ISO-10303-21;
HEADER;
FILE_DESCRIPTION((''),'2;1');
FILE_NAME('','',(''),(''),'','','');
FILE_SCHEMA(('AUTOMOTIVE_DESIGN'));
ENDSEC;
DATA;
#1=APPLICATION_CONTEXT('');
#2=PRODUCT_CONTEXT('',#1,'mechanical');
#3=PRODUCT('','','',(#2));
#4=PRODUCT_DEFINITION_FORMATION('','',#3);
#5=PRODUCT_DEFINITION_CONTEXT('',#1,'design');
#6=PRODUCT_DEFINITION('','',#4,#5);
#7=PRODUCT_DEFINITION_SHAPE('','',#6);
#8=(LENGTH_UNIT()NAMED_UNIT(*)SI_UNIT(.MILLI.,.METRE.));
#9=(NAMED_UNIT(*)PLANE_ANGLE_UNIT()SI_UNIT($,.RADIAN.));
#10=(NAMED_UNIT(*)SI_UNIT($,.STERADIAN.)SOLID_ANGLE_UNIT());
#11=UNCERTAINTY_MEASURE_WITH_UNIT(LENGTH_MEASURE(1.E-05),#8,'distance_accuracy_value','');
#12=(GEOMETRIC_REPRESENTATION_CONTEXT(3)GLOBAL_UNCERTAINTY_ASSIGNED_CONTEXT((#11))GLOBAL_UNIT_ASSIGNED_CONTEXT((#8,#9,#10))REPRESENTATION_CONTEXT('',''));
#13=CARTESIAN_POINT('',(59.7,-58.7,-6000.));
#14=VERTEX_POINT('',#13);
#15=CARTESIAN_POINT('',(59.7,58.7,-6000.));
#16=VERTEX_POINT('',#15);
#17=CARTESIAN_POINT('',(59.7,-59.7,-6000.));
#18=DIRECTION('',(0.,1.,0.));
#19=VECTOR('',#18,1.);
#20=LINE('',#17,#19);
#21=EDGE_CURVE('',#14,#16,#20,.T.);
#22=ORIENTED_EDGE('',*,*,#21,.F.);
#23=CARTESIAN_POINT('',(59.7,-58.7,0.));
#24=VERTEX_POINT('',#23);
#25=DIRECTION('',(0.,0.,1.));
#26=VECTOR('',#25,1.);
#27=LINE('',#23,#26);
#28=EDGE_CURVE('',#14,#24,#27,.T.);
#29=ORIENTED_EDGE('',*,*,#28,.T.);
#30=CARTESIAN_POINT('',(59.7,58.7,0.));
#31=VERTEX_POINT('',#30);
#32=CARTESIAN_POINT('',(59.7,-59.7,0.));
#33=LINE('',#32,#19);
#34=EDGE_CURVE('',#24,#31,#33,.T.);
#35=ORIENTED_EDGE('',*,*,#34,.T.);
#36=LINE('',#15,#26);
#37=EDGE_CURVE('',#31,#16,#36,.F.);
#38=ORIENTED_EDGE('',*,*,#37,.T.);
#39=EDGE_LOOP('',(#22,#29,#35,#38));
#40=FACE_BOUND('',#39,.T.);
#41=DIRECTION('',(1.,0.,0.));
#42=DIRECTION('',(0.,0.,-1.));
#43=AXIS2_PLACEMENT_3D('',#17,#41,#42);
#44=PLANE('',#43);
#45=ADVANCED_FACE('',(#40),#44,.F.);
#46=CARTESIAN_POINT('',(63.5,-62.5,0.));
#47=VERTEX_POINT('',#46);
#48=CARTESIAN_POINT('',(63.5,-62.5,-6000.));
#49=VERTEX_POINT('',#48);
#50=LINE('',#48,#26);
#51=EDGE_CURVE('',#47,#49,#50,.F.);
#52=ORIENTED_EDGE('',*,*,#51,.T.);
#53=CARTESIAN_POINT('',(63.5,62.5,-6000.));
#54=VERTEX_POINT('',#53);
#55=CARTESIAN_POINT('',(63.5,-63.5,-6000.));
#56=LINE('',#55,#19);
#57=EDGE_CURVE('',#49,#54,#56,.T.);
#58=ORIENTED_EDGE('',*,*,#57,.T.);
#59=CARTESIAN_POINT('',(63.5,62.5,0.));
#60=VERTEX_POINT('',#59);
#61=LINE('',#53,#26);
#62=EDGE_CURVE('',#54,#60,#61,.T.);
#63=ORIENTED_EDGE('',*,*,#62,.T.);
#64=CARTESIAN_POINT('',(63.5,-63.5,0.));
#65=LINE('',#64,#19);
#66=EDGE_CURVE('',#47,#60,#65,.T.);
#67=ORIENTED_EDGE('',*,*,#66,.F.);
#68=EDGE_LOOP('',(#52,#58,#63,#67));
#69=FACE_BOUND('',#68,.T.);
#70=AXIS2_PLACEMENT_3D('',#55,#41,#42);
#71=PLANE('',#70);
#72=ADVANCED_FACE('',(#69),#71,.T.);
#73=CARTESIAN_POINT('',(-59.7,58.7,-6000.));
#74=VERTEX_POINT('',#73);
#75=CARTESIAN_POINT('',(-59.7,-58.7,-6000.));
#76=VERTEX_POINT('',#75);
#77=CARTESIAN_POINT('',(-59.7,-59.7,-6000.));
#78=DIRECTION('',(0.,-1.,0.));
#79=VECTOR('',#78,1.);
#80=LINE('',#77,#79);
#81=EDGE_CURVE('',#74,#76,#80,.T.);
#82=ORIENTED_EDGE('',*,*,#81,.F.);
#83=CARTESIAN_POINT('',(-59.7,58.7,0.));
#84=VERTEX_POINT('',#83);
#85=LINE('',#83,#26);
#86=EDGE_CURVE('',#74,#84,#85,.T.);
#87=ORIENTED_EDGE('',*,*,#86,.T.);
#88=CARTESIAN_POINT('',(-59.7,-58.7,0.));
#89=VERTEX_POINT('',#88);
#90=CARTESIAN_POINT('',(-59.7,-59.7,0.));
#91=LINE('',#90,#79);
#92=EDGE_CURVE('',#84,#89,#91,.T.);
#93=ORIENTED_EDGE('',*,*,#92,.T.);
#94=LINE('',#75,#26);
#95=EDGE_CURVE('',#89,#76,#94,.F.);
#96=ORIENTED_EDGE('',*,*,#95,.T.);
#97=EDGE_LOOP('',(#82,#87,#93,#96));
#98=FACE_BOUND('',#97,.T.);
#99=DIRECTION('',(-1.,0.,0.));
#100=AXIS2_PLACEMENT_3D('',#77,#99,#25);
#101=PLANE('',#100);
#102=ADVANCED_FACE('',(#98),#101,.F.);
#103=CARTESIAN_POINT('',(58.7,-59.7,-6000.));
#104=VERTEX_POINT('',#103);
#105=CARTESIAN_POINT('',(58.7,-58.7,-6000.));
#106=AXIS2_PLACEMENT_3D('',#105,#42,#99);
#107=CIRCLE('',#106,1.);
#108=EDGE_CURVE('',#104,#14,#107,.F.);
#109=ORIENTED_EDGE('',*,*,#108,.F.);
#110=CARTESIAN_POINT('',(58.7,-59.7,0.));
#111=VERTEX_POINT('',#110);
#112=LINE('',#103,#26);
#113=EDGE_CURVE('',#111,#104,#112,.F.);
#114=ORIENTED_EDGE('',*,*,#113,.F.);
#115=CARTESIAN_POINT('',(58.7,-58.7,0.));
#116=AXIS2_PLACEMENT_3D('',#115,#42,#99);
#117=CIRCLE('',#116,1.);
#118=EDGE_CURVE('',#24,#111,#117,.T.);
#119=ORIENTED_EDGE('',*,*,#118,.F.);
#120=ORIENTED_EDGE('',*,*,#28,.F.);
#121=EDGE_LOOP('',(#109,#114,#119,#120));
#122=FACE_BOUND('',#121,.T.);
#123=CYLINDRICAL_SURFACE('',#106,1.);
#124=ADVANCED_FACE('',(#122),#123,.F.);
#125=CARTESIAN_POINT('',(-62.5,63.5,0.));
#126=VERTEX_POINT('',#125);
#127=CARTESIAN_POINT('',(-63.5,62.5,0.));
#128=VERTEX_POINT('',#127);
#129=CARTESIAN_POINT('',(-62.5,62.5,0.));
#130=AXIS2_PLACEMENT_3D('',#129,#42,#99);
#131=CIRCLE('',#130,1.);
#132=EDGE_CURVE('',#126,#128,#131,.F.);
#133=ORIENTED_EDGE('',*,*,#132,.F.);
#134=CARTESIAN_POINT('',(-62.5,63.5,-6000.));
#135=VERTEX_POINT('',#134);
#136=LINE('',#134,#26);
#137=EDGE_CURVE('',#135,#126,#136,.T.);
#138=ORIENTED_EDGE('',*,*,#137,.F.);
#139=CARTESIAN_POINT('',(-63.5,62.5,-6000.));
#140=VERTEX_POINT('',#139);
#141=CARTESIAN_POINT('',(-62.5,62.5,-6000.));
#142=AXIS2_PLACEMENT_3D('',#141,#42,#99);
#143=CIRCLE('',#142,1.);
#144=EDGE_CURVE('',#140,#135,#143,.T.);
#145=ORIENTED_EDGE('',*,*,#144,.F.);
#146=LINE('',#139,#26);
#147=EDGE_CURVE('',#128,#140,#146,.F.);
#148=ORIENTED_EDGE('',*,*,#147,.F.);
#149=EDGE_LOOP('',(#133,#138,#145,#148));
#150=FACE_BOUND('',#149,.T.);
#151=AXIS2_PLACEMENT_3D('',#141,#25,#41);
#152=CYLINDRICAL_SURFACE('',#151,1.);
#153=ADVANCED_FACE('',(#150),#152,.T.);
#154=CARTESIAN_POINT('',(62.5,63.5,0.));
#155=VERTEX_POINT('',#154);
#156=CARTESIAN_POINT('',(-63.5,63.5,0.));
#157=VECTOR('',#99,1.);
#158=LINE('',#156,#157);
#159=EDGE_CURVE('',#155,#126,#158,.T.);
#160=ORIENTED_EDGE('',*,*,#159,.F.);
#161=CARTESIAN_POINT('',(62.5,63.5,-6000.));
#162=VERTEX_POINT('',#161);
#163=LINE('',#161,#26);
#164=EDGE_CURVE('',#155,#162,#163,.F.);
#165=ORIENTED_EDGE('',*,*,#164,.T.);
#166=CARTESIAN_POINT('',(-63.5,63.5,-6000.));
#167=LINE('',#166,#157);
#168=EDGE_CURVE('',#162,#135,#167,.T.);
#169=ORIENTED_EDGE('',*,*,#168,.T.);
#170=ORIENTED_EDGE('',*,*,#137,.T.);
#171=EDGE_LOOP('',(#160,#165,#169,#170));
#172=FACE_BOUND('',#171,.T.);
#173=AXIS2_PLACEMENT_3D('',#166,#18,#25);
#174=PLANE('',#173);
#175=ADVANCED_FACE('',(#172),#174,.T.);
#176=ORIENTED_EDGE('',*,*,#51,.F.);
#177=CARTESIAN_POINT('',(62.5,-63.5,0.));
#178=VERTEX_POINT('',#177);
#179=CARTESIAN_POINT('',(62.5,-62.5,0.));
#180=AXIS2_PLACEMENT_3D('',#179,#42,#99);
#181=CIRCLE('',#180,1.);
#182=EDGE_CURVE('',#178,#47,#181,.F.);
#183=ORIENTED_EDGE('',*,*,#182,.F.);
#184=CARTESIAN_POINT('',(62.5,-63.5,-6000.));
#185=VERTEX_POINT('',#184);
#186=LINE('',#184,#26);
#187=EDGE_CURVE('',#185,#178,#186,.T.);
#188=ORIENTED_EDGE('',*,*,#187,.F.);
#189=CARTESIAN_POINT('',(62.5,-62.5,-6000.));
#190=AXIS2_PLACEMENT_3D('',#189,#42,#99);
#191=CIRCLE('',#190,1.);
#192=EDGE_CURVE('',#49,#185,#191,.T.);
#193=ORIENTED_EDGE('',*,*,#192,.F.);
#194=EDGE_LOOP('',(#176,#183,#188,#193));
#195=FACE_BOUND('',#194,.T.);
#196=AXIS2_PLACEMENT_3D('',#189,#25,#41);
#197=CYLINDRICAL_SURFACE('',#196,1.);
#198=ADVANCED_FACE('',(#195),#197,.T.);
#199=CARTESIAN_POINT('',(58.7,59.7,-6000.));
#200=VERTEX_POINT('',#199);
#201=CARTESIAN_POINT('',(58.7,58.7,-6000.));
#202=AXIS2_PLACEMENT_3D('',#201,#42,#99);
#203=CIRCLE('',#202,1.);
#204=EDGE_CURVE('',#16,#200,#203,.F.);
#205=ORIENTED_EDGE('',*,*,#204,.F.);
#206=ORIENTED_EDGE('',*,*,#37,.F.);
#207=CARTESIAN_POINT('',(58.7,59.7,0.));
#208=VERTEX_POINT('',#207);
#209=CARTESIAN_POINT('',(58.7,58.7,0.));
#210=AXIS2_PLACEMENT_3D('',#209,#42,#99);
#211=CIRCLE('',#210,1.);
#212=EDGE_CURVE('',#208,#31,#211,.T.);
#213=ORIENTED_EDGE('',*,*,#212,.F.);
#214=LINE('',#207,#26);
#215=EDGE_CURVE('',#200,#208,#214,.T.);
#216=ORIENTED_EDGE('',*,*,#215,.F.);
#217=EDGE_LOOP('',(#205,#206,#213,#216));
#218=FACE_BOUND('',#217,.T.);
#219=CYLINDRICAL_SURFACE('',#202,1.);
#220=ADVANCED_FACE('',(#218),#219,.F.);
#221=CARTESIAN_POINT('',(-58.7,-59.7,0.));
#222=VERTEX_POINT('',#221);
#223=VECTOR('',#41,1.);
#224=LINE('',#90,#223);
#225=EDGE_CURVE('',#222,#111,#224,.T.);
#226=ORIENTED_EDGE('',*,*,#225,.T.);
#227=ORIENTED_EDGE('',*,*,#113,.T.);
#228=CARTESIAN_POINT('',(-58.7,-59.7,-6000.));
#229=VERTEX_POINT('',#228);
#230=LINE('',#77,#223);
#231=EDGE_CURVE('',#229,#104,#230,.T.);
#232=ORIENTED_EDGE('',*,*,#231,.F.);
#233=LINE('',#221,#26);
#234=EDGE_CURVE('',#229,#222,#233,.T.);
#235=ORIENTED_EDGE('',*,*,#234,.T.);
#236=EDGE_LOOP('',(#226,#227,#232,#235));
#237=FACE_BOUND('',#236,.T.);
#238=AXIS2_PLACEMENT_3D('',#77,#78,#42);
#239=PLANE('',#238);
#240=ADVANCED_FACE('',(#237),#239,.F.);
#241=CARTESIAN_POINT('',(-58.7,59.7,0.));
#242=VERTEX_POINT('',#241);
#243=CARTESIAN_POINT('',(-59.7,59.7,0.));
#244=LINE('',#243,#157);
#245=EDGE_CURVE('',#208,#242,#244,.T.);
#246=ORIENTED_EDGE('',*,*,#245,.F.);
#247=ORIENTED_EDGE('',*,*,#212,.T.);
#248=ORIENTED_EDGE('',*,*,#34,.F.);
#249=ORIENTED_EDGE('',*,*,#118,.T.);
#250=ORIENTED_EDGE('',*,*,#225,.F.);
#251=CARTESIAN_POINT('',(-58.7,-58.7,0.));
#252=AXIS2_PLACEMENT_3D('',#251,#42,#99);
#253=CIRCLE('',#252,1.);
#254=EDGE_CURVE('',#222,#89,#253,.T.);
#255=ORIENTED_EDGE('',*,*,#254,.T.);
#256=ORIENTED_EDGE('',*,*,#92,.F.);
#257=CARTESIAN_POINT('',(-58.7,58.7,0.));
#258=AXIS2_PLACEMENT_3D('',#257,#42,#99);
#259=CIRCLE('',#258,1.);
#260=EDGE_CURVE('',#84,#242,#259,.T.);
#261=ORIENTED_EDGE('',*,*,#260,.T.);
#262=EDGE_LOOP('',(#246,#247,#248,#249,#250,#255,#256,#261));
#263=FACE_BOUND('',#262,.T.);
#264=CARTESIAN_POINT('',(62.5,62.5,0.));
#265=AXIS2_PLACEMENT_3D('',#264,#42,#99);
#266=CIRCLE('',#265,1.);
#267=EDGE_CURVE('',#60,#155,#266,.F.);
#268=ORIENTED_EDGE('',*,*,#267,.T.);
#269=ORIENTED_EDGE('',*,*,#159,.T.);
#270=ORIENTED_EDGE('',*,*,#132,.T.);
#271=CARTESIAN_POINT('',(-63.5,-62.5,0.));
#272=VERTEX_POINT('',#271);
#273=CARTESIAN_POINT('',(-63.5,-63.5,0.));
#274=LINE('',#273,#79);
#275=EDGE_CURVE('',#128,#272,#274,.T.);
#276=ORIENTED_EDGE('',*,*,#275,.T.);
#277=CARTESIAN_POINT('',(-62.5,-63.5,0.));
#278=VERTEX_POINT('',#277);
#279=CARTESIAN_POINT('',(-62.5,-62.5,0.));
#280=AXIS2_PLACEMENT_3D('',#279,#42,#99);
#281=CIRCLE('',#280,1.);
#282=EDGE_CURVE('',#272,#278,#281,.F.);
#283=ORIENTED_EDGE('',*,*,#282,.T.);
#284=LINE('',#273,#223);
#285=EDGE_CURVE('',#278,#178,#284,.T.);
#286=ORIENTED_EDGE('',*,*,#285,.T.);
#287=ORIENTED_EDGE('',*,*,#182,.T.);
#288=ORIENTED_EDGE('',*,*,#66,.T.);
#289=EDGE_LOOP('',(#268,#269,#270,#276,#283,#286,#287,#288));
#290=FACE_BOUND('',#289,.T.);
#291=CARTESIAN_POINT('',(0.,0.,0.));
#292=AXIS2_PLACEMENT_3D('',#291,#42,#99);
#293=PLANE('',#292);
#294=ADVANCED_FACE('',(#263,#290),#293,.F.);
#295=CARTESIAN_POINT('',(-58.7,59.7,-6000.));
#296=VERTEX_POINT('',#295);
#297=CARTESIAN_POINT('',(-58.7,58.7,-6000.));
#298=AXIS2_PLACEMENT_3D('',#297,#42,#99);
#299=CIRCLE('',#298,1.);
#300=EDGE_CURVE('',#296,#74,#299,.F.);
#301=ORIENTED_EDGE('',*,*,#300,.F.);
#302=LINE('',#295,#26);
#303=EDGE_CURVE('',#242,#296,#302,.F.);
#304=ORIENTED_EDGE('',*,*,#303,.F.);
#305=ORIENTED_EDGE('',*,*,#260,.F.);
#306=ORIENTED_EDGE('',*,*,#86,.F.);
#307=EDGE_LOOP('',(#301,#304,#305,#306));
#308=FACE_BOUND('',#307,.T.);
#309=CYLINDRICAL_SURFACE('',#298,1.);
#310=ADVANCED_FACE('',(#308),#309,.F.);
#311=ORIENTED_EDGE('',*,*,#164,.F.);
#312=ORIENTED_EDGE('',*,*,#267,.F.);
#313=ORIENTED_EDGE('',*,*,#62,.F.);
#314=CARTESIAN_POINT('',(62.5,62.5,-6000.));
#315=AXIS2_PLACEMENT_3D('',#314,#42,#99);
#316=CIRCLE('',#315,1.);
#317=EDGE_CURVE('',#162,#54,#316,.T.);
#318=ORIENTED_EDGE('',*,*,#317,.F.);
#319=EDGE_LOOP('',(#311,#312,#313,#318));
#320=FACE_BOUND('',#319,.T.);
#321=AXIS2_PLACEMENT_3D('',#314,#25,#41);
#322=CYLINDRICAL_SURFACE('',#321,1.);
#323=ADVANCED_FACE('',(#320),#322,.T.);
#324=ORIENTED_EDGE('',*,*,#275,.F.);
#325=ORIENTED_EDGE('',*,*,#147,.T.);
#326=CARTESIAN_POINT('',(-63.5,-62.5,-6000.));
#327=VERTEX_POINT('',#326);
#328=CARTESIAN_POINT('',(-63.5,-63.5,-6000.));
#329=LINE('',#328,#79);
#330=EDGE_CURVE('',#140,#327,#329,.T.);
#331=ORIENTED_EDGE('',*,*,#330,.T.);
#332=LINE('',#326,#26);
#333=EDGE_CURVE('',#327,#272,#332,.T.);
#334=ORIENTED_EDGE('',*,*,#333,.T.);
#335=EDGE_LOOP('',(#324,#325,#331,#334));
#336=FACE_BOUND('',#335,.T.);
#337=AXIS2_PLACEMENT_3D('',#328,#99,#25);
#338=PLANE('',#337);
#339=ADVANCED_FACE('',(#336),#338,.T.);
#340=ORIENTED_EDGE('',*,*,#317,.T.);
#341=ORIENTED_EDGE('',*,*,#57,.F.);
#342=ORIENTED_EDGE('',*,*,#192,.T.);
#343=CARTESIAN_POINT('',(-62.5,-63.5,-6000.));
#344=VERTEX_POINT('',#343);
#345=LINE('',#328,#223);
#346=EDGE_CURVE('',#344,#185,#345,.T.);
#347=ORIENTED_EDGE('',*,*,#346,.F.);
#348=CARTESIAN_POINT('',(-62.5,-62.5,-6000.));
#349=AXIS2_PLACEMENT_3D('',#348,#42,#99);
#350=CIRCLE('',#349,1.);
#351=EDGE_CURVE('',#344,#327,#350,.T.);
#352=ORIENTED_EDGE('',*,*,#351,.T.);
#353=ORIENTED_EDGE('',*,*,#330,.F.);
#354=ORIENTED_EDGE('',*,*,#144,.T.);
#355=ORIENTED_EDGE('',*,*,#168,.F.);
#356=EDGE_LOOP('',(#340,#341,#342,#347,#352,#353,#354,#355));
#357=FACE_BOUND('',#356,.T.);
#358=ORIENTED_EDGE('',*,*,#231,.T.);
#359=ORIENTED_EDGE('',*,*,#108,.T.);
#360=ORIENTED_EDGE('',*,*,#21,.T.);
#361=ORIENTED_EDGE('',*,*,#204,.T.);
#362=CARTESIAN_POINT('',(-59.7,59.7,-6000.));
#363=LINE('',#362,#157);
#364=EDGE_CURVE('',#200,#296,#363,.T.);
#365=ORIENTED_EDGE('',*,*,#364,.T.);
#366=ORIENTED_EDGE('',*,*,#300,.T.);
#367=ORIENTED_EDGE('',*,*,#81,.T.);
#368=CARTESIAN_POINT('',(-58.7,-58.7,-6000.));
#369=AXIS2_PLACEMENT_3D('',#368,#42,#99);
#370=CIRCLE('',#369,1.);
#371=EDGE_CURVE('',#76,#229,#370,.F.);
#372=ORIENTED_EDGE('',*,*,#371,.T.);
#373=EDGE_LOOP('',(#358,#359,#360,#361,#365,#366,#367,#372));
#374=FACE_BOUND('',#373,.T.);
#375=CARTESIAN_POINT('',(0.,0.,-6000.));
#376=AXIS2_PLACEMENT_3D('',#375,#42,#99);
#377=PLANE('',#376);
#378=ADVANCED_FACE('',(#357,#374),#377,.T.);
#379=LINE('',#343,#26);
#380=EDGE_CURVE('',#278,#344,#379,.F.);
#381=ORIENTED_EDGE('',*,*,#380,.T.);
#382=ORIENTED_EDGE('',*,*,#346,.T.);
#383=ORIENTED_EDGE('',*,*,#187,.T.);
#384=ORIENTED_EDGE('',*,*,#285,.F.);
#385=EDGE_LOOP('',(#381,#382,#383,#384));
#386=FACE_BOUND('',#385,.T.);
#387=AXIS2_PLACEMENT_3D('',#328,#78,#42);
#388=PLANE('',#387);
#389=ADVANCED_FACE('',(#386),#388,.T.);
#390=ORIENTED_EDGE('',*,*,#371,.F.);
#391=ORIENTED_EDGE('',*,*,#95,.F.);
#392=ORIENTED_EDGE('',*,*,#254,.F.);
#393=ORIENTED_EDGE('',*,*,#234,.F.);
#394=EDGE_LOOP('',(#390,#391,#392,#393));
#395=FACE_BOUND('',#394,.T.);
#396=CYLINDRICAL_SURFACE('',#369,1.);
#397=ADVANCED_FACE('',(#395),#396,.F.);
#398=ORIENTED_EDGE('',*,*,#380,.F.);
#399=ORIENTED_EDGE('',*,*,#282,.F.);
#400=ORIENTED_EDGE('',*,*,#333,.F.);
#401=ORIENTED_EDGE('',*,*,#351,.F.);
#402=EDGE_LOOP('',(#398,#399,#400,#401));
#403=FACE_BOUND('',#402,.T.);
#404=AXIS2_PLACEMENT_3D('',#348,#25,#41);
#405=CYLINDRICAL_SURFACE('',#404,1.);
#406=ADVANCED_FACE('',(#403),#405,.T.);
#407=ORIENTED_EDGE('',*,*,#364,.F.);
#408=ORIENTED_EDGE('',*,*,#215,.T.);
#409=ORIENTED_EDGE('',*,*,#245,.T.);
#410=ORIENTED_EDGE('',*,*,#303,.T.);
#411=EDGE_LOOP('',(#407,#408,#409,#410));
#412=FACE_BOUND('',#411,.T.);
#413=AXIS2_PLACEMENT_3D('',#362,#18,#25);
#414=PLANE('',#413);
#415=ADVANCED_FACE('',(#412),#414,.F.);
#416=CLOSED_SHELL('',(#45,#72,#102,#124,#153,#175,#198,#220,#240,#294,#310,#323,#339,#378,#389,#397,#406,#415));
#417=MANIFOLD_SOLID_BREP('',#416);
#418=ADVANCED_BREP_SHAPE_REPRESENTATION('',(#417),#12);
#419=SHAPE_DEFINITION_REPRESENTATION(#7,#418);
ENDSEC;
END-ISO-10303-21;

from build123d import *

# Parameters (mm, degrees)
CROQUIS1_W              = 127
CROQUIS1_H              = 127
CROQUIS1_W_2            = 119.4
CROQUIS1_H_2            = 119.4
SALIENTE_EXTRUIR1_DEPTH = 6000
REDONDEO1_R             = 1


with BuildPart() as part:
    # Croquis1 → Saliente-Extruir1 (new body)
    with BuildSketch(Plane.XY):
        Rectangle(CROQUIS1_W, CROQUIS1_H)
        Rectangle(CROQUIS1_W_2, CROQUIS1_H_2, mode=Mode.SUBTRACT)
    extrude(amount=-SALIENTE_EXTRUIR1_DEPTH)

    # Redondeo1
    redondeo1_edges = [part.edges().sort_by_distance(p)[0] for p in [
        (59.7, -59.7, -3000),
        (-59.7, -59.7, -3000),
        (-59.7, 59.7, -3000),
        (59.7, 59.7, -3000),
        (63.5, -63.5, -3000),
        (-63.5, -63.5, -3000),
        (-63.5, 63.5, -3000),
        (63.5, 63.5, -3000),
    ]]
    fillet(redondeo1_edges, radius=REDONDEO1_R)


solid = part.part
